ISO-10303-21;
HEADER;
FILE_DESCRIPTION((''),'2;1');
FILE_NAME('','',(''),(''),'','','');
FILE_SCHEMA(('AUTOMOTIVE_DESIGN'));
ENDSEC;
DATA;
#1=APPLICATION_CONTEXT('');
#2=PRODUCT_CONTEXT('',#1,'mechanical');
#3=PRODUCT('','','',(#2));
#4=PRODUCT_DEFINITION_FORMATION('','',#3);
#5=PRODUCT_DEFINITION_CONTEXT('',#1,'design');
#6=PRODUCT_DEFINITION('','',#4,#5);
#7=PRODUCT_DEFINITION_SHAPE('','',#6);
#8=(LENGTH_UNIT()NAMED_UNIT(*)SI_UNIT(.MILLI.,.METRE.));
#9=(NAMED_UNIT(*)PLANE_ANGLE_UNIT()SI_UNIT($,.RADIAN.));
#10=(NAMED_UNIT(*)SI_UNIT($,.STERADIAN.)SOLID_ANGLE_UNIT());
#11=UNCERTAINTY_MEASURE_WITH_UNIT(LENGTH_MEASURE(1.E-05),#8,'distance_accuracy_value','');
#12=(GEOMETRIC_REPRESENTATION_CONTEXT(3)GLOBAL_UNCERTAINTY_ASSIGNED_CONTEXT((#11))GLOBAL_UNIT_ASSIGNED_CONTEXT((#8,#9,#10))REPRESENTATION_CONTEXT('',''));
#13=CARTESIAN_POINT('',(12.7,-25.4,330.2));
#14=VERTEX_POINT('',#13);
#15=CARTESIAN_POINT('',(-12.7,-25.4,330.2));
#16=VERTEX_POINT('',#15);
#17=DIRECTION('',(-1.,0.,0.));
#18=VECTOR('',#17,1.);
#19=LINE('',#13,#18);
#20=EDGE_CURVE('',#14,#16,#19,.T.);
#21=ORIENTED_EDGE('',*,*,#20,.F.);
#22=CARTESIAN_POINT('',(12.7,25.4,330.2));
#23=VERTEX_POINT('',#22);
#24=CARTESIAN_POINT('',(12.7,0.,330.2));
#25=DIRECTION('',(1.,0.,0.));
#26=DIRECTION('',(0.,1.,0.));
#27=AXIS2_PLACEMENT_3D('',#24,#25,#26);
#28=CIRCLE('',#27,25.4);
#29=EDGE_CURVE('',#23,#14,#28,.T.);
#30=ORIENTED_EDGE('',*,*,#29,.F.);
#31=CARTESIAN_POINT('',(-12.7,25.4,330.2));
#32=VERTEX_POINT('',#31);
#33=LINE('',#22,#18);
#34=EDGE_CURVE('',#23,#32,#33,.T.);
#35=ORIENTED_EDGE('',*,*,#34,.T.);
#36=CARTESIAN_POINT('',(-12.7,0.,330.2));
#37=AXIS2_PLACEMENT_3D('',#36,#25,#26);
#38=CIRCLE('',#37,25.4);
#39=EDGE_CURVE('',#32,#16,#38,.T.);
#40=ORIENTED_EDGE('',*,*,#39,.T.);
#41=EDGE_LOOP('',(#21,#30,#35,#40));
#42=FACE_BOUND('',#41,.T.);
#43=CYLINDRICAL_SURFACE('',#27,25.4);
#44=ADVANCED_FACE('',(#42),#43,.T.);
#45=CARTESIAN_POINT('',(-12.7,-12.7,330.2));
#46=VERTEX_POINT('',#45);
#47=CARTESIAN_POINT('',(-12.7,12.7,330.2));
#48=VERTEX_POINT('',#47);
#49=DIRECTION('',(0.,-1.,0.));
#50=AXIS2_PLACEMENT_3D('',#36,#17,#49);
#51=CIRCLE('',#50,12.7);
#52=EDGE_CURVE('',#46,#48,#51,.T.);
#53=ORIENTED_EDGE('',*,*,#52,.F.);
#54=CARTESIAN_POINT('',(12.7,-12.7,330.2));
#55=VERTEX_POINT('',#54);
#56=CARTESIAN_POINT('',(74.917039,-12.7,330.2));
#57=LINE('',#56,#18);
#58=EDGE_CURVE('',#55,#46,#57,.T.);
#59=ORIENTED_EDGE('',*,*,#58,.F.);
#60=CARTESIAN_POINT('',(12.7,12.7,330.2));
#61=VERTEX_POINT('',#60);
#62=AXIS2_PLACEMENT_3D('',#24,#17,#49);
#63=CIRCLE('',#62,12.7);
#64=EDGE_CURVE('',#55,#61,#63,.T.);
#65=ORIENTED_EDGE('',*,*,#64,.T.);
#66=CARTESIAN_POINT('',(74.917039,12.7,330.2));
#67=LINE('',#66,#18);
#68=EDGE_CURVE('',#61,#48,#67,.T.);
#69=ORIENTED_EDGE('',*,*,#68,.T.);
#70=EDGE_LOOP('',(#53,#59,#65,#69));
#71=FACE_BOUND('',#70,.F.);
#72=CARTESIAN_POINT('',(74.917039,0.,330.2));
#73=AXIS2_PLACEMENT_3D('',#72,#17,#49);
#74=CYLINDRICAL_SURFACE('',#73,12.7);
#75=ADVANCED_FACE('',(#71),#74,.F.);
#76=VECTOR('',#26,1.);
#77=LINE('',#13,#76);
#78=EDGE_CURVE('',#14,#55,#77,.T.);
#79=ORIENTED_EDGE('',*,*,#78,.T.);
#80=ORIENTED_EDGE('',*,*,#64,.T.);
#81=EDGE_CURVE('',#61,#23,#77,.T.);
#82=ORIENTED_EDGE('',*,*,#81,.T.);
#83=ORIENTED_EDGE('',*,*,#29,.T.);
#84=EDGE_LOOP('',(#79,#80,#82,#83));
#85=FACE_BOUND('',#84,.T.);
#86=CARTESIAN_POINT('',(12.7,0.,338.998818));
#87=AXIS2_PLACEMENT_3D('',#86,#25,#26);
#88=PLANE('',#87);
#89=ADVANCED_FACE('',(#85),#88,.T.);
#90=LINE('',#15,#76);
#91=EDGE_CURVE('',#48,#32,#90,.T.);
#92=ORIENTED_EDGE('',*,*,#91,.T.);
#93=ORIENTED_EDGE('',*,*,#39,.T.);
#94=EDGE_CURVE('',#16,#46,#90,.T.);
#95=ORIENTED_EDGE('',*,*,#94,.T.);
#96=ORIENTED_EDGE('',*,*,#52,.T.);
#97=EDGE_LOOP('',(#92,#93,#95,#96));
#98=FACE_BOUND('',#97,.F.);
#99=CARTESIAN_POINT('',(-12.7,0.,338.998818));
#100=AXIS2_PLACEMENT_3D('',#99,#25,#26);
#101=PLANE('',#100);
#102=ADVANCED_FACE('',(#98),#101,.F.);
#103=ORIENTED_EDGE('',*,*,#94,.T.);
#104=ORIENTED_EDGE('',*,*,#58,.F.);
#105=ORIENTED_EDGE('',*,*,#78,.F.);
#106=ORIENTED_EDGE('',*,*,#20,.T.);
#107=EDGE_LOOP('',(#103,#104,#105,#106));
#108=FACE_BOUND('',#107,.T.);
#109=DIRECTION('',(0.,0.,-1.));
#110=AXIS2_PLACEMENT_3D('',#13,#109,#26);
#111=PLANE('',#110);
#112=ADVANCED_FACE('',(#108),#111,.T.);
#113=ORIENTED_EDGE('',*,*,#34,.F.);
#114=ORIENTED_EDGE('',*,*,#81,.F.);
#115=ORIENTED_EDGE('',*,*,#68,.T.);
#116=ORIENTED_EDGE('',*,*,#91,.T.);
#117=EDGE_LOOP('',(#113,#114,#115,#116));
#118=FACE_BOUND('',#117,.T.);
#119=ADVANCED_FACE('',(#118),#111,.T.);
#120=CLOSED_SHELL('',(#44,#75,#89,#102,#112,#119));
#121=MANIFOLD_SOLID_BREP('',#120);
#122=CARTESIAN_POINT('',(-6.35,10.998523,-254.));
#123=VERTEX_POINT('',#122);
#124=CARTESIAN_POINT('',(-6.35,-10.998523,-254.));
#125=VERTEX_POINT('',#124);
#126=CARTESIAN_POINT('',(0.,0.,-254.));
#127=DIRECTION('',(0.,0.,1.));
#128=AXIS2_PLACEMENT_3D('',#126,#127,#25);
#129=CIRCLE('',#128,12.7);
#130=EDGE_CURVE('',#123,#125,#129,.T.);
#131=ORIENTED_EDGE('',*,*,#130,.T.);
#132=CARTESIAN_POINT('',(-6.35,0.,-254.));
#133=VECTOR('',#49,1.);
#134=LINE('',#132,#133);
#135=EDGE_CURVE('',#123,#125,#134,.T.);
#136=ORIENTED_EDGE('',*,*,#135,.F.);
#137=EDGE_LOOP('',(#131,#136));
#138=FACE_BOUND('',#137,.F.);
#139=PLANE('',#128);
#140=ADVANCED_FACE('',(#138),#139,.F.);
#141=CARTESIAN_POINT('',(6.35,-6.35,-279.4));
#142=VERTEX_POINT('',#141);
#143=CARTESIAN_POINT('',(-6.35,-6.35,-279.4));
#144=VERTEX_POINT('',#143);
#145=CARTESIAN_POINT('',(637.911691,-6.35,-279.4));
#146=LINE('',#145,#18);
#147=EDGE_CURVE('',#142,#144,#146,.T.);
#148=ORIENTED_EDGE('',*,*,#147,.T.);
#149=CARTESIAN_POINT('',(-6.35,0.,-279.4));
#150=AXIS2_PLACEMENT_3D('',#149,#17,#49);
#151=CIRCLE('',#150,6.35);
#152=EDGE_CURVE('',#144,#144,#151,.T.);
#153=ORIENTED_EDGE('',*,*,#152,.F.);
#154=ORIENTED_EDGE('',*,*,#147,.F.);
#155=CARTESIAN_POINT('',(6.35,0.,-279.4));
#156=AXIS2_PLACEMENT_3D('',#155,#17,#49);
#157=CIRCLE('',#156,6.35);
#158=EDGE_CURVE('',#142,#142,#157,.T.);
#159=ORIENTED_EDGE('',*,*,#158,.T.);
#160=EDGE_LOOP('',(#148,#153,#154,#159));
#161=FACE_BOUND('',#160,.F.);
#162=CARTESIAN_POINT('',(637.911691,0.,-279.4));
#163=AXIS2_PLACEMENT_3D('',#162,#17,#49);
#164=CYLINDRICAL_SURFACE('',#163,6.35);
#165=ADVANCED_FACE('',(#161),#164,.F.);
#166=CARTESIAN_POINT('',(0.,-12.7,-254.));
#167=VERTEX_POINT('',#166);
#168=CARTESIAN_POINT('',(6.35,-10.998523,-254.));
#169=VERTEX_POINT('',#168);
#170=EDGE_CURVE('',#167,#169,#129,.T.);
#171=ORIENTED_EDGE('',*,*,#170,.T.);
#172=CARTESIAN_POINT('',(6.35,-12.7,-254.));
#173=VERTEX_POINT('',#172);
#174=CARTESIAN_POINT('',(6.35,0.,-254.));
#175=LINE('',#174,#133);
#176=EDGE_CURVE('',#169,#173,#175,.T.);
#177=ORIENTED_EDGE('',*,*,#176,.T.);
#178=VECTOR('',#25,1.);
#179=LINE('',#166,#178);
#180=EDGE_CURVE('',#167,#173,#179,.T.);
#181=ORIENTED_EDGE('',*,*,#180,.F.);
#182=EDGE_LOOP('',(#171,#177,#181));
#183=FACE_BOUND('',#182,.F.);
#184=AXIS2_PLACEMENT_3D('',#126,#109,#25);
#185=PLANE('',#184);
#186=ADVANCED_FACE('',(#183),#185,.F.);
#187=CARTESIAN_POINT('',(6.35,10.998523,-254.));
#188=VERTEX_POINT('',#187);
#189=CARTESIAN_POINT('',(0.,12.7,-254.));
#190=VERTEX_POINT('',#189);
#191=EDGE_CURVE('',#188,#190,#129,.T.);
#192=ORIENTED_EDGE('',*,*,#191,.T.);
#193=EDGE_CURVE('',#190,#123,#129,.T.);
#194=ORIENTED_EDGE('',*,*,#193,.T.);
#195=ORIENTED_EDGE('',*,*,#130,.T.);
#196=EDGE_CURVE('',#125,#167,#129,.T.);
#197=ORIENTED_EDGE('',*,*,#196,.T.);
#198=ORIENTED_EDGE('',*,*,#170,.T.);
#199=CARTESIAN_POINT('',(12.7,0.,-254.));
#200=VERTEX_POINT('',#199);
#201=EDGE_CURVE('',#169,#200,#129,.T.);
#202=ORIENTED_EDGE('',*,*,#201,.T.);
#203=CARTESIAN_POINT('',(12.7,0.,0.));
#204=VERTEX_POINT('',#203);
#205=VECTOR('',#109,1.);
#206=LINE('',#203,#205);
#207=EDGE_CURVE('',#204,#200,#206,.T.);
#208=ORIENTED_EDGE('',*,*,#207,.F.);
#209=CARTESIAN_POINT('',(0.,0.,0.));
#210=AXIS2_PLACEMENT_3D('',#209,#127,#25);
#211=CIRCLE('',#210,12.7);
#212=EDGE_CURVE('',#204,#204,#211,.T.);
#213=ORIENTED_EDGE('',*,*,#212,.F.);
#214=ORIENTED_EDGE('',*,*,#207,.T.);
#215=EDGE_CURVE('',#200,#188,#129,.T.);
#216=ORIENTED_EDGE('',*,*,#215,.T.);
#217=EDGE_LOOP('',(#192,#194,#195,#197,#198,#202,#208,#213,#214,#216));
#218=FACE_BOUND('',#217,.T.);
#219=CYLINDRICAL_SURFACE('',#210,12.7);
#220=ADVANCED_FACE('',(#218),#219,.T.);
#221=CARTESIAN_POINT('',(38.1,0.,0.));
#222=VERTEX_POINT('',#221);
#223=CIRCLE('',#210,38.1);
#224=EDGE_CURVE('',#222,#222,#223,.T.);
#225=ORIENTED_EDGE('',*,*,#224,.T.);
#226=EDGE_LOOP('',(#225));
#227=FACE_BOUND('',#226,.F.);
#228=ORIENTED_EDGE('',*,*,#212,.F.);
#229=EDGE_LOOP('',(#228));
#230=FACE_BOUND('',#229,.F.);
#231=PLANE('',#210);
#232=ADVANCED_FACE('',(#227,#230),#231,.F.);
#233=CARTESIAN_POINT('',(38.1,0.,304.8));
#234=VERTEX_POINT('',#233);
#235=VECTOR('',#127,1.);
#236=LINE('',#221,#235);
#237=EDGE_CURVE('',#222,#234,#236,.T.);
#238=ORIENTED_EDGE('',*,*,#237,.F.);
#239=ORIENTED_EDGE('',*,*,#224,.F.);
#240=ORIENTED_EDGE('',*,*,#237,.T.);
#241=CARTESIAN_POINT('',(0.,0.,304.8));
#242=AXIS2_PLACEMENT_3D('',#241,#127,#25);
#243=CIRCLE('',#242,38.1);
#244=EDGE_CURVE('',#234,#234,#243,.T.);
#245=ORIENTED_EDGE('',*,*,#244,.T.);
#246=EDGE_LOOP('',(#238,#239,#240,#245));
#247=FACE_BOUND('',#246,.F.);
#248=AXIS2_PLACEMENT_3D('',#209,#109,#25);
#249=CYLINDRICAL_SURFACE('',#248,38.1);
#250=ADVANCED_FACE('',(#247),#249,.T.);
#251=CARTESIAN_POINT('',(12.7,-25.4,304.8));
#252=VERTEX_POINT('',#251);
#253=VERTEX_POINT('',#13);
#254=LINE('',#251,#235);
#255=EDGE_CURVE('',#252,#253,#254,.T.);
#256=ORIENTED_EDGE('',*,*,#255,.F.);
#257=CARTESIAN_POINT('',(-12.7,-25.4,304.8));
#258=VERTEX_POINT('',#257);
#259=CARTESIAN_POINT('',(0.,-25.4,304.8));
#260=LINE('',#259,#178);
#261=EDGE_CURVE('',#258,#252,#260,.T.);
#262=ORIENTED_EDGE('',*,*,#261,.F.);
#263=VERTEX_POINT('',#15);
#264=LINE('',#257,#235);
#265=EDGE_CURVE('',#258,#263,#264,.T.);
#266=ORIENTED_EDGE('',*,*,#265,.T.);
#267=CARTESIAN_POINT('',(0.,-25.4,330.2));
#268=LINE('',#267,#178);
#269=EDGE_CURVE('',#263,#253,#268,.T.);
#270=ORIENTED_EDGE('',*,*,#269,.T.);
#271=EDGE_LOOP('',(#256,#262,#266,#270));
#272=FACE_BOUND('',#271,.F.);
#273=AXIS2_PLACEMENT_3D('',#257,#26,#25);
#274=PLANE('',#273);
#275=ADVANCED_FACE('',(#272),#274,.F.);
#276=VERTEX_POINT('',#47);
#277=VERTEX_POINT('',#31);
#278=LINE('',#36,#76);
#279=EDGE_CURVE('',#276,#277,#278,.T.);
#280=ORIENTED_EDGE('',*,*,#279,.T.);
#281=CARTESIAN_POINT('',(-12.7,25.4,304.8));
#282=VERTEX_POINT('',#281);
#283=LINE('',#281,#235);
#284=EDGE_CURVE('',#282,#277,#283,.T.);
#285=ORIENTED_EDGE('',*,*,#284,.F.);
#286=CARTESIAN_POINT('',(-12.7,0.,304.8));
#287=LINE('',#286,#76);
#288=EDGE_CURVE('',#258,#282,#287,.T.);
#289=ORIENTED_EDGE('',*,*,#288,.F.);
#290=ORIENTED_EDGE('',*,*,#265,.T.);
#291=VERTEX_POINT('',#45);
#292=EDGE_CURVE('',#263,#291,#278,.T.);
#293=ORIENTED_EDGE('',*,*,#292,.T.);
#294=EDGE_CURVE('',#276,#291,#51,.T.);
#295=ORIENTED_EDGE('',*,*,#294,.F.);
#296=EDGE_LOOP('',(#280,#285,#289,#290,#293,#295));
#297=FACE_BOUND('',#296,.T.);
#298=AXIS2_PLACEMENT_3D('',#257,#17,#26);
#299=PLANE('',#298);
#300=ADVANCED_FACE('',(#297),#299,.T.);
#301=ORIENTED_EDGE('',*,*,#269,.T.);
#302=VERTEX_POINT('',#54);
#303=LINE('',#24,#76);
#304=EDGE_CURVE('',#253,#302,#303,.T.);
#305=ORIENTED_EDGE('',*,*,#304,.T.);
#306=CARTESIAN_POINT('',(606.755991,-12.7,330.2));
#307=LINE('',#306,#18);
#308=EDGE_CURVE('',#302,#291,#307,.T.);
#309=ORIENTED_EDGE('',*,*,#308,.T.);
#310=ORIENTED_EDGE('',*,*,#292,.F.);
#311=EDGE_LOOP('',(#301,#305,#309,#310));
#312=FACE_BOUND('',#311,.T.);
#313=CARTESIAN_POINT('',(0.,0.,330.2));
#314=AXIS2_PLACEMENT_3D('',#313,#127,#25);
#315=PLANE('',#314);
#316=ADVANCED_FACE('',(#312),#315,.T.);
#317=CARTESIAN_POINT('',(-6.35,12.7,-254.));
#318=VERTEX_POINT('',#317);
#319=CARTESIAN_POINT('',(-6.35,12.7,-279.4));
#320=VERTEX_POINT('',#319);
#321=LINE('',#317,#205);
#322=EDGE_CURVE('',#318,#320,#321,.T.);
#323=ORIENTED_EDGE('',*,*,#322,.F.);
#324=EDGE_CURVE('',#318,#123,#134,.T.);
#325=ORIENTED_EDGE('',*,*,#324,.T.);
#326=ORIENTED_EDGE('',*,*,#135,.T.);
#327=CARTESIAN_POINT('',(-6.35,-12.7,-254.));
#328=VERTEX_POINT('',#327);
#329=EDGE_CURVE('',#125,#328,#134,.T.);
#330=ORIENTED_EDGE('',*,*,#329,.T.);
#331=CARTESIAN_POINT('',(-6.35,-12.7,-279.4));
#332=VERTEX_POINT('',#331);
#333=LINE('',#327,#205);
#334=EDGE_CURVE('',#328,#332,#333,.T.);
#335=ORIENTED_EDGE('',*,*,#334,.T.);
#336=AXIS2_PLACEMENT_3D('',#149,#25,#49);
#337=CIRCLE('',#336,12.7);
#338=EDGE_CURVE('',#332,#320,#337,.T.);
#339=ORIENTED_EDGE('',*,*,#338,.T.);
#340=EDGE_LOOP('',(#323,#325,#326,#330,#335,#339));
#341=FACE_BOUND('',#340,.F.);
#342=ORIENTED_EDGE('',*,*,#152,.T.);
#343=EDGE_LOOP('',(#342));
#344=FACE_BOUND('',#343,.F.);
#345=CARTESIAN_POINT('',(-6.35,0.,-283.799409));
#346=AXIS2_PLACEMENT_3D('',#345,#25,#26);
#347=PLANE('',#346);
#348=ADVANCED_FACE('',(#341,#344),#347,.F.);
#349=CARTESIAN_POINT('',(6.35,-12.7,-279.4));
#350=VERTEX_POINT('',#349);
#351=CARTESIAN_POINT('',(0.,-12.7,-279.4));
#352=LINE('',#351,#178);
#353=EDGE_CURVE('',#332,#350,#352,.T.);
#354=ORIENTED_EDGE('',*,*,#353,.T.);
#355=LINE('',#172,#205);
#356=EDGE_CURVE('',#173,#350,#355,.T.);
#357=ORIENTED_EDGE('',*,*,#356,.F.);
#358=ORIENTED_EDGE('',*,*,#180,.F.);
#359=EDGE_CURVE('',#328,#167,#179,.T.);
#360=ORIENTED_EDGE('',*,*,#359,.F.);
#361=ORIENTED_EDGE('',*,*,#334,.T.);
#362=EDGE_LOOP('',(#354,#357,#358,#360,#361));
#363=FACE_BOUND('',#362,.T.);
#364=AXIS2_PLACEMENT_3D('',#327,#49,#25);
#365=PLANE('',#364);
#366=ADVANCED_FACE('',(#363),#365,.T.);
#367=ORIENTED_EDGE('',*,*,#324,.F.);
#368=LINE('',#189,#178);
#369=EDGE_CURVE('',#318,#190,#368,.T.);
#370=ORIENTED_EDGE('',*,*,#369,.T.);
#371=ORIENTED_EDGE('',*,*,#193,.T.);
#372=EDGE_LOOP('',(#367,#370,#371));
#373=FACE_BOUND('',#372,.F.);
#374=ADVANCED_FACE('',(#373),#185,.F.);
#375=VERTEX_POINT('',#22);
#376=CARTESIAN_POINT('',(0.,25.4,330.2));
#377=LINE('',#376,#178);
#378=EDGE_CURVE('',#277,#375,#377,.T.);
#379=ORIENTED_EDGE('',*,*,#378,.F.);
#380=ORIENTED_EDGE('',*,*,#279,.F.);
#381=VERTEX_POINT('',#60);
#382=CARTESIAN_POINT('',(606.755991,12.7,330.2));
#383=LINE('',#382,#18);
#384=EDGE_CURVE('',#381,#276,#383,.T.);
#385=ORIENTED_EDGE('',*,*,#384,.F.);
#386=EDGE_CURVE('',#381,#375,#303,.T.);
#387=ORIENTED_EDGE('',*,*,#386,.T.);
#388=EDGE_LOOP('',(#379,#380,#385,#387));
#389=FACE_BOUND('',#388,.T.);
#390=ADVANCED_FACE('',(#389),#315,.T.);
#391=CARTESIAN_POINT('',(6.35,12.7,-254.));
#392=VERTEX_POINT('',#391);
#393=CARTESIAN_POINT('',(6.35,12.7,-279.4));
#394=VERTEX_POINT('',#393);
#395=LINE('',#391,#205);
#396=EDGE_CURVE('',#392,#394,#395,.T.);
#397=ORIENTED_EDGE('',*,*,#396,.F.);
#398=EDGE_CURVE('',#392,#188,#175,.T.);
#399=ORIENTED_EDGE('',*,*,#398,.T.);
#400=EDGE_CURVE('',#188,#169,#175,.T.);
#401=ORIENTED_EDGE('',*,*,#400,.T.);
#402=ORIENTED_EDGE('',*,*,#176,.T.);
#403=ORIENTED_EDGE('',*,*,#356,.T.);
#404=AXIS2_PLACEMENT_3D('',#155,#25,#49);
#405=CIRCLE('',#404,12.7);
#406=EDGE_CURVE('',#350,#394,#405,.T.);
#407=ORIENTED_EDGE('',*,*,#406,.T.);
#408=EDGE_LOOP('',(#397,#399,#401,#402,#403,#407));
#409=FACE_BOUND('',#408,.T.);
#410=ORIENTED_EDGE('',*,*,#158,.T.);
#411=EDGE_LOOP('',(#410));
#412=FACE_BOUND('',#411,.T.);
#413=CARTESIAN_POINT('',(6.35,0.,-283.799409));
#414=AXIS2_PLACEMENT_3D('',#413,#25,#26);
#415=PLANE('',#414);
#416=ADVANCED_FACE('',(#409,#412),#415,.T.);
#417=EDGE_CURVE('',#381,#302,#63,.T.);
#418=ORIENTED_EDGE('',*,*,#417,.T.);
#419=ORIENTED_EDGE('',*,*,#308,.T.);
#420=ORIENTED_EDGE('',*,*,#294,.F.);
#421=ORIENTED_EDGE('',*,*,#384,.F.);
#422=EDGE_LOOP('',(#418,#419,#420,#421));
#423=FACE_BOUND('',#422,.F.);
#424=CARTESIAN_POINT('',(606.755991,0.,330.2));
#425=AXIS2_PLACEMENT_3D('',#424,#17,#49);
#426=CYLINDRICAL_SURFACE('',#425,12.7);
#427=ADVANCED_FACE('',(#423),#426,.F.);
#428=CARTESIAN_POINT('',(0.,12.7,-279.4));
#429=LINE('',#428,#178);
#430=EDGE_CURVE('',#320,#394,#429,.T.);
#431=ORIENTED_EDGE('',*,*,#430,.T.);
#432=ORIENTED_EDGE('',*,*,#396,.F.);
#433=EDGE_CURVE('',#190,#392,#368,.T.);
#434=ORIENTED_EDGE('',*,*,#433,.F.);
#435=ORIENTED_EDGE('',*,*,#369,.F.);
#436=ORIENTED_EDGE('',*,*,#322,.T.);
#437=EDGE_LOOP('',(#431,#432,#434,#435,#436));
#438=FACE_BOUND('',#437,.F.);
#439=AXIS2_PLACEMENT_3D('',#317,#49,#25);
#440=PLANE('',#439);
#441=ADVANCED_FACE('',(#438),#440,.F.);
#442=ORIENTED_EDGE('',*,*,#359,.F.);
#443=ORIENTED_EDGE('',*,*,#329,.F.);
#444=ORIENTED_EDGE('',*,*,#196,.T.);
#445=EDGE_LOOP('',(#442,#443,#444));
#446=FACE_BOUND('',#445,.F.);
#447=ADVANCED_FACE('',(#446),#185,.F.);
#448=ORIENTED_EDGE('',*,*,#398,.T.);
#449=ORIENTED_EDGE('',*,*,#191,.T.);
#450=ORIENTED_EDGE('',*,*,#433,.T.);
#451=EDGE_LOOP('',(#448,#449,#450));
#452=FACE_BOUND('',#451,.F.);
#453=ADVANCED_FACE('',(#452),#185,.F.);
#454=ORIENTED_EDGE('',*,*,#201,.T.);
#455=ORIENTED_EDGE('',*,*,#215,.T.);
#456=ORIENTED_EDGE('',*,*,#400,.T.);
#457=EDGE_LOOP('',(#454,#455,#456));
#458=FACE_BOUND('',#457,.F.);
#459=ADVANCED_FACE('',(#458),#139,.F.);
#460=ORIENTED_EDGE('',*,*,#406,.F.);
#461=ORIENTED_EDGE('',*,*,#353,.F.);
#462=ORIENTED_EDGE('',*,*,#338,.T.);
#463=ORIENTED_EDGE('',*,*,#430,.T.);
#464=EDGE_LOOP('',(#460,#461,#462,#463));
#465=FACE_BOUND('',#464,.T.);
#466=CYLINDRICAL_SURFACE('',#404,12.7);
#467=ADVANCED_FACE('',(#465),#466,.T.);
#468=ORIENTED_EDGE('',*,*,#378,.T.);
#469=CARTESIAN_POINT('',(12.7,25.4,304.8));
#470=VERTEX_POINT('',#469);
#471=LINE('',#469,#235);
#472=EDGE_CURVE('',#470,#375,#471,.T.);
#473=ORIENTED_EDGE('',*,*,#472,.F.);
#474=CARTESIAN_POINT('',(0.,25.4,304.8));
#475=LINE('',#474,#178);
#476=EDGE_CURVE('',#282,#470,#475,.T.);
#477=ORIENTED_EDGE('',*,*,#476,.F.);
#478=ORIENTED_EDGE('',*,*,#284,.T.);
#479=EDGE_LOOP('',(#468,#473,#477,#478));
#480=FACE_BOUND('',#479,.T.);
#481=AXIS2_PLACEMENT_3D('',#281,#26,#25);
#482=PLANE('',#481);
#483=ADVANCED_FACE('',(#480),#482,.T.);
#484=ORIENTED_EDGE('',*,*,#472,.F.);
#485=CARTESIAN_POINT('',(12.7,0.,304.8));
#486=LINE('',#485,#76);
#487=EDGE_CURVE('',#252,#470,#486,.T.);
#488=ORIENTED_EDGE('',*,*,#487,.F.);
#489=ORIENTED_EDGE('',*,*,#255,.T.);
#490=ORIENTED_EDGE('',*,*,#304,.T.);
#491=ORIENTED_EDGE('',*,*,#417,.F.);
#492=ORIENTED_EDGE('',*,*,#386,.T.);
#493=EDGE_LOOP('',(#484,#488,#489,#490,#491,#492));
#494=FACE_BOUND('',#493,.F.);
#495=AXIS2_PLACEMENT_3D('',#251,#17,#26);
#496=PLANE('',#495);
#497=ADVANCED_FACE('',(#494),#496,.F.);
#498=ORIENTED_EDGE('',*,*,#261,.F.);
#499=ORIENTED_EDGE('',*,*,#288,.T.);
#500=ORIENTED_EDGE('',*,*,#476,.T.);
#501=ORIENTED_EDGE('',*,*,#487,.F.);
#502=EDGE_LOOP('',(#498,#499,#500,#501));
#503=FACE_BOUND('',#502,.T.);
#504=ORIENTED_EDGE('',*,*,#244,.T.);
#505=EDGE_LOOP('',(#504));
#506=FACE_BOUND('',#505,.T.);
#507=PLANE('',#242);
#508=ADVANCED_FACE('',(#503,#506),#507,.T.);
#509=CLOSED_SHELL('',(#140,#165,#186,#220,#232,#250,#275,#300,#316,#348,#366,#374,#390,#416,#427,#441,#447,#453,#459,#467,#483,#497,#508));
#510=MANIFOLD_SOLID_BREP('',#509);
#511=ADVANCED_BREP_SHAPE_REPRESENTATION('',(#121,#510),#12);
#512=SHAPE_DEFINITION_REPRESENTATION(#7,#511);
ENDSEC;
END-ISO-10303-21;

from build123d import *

# Parameters (mm, degrees)
F0_R      = 12.7
F1_DEPTH  = 254
F2_R      = 38.1
F3_DEPTH  = 304.8
F4_W      = 25.4
F4_H      = 50.8
F5_DEPTH  = 25.4
F7_DEPTH  = 25.4
F9_D      = 25.4
F9_2_D    = 25.4
F10_W     = 12.7
F10_H     = 25.4
F11_DEPTH = 25.4
F13_DEPTH = 12.7
F15_D     = 12.7


with BuildPart() as f1:
    # F0 (on Top) → F1 (new body)
    with BuildSketch(Plane.XY):
        Circle(F0_R)
    extrude(amount=-F1_DEPTH)

    # F2 (on Top) → F3 (join)
    with BuildSketch(Plane.XY):
        Circle(F2_R)
    extrude(amount=F3_DEPTH)

    # F4 (on face) → F5 (join)
    with BuildSketch(Plane.XY.offset(304.8)):
        Rectangle(F4_W, F4_H)
    extrude(amount=F5_DEPTH)

    # F9 (through all)
    with Locations(Plane.YZ.offset(12.7)):
        with Locations((0, 330.2)):
            Hole(F9_D / 2)

    # F10 (on face) → F11 (join)
    with BuildSketch(Plane(origin=(0, 0, -254), x_dir=(1, 0, 0), z_dir=(0, 0, -1))):
        Rectangle(F10_W, F10_H)
    extrude(amount=F11_DEPTH)

    # F12 (on face) → F13 (join)
    with BuildSketch(Plane.YZ.offset(6.35)):
        with BuildLine():
            Line((12.7, -279.4), (-12.7, -279.4))
            ThreePointArc((-12.7, -279.4), (0, -292.1), (12.7, -279.4))
        make_face()
    extrude(amount=-F13_DEPTH)

    # F15 (through all)
    with Locations(Plane.YZ.offset(6.35)):
        with Locations((0, -279.4)):
            Hole(F15_D / 2)


with BuildPart() as f7:
    # F6 (on face) → F7 (new body)
    with BuildSketch(Plane.YZ.offset(12.7)):
        with BuildLine():
            Line((-25.4, 330.2), (25.4, 330.2))
            ThreePointArc((25.4, 330.2), (0, 355.6), (-25.4, 330.2))
        make_face()
    extrude(amount=-F7_DEPTH)

    # F9#2 (through all)
    with Locations(Plane.YZ.offset(12.7)):
        with Locations((0, 330.2)):
            Hole(F9_2_D / 2)


solid = Compound([f1.part, f7.part])
